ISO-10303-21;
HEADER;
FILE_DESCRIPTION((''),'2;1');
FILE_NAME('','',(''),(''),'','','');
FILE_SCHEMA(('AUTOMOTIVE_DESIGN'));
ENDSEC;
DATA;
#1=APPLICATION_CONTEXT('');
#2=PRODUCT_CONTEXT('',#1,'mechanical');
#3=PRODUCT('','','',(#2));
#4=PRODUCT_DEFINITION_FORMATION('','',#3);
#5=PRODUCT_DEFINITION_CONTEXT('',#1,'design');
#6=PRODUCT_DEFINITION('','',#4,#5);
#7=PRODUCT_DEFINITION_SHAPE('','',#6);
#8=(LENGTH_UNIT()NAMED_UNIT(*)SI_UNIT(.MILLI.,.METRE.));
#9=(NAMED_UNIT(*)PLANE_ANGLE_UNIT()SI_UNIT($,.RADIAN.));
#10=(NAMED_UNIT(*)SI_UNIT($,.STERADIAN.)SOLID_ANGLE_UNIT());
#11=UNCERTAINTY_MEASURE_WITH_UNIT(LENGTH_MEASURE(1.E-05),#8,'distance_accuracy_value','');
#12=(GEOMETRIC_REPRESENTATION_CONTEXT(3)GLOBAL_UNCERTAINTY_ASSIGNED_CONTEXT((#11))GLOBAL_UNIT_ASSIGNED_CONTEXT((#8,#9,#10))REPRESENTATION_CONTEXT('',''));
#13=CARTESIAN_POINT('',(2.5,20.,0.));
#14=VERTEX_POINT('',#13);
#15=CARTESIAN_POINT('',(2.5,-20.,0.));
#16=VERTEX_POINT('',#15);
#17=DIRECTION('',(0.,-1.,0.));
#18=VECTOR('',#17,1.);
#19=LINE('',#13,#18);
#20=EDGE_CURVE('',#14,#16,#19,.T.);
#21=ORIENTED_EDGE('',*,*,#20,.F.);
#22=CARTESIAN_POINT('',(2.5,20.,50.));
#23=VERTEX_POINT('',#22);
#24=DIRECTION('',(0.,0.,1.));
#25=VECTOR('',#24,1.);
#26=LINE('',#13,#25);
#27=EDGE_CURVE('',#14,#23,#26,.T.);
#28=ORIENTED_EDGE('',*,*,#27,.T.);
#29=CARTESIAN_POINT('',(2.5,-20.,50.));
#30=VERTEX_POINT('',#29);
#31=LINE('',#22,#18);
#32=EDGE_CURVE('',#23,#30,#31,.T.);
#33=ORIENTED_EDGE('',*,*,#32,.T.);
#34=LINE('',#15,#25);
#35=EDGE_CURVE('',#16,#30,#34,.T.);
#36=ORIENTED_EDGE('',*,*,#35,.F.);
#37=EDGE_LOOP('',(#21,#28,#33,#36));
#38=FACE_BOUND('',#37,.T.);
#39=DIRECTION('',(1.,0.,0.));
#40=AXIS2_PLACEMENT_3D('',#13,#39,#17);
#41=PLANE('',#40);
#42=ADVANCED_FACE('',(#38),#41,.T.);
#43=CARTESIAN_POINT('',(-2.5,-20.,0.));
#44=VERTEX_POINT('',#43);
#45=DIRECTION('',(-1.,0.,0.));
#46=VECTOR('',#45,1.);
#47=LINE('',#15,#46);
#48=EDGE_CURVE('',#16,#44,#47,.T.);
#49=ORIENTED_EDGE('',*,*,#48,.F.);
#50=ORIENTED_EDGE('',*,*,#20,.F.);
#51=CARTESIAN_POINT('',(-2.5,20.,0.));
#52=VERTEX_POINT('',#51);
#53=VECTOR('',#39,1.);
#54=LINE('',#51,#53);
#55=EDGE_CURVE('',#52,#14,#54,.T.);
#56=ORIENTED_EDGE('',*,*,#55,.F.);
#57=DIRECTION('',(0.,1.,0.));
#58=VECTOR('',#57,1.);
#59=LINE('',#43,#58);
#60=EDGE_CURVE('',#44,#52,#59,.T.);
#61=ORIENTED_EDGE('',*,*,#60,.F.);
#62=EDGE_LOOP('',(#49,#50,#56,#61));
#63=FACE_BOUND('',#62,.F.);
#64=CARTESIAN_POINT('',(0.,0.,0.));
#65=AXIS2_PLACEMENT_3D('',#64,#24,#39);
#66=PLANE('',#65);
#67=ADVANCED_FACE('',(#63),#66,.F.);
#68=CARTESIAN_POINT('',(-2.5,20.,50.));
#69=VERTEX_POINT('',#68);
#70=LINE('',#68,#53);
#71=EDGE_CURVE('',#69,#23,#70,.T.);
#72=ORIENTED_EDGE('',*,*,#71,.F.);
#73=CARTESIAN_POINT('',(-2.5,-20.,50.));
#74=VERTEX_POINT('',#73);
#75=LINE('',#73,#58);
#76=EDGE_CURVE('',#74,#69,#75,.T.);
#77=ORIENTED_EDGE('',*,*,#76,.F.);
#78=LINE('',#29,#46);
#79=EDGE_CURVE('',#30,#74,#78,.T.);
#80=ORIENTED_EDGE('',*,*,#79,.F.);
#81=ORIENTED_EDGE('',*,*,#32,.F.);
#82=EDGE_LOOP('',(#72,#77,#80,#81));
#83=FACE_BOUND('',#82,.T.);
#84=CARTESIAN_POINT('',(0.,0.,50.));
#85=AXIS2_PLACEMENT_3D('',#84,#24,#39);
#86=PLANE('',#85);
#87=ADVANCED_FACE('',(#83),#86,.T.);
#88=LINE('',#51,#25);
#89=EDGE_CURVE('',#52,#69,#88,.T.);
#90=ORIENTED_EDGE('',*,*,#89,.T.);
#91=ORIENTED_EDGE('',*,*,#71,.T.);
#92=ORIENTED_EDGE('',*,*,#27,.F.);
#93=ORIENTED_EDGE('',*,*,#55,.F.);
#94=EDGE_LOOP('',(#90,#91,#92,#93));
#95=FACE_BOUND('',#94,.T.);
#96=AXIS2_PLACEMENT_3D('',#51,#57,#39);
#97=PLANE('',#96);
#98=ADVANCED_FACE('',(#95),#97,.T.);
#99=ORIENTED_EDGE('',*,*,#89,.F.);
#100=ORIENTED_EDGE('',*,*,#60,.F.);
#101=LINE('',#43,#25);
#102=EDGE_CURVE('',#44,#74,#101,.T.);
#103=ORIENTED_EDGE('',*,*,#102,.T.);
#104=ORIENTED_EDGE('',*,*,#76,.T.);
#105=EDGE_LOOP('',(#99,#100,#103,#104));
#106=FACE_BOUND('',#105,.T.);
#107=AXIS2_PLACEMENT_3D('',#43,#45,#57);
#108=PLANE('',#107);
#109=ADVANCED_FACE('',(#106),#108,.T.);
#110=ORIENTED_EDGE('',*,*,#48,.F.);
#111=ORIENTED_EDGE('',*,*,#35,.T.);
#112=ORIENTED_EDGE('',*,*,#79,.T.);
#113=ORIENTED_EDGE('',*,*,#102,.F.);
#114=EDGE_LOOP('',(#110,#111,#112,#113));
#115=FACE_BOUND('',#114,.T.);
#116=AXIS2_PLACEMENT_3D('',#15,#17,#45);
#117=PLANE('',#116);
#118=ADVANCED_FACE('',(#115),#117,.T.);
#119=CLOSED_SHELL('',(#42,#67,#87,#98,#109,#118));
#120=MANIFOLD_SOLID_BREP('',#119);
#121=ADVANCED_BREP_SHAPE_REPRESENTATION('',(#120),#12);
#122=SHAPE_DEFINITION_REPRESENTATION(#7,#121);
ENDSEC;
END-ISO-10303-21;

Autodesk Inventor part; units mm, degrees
ref_plane "YZ Plane" through (0, 0, 0) normal (1, 0, 0) x (0, 1, 0)
ref_plane "Startebene" through (0, 0, 0) normal (0, 0, 1) x (1, 0, 0)
ref_plane "Endebene" through (0, 0, 50) normal (0, 0, 1) x (1, 0, 0)
sketch "Skizze" plane through (0, 0, 0) normal (0, 0, 1) x (1, 0, 0)
  line L0 (2.5, -20) -> (-2.5, -20)
  line L1 (-2.5, -20) -> (-2.5, 20)
  line L2 (-2.5, 20) -> (2.5, 20)
  line L3 (2.5, 20) -> (2.5, -20)
  line L4 (-6, 0) -> (8, 0) construction
  line L5 (0, -30) -> (0, 40) construction
  line L6 (0, 54) -> (0, -44) construction
  line L7 (-9.2, 0) -> (13.2, 0) construction
  dimension "d0" = 40
  dimension "d1" = 5
  dimension "d4" = 2.5
  dimension "d5" = 20
extrude "Körper" add sketch "Skizze" along normal up to surface (50 mm away) from surface at 0
sketch "Sketch3" plane through (0, 0, 0) normal (0, 0, 1) x (1, 0, 0)
  line L0 (0, 0) -> (10, 0)
ref_plane "Work Plane3" through (0, 0, 0) normal (0, -1, 0) x (1, 0, 0)
sketch "Sketch4" plane through (0, 0, 0) normal (0, -1, 0) x (1, 0, 0)
  line L0 (-2, 0) -> (12, 0)
  line L1 (-2, 50) -> (12, 50)
  dimension "d9" = 50
equation "\"d0\" = G_W"
equation "\"d1\" = G_H"
equation "\"d4\" = 0.5 * d1"
equation "\"d5\" = 0.5 * d0"
equation "\"d2\" = G_L"
equation "\"G_W\" = 40"
equation "\"G_H\" = 5"
equation "\"G_L\" = d9"
equation "\"G_OFFSET_START\" = 0"
equation "\"G_OFFSET_END\" = 0"
properties part number "EN 10058 - 40 x 5 - 50" material "Stahl, weich"
